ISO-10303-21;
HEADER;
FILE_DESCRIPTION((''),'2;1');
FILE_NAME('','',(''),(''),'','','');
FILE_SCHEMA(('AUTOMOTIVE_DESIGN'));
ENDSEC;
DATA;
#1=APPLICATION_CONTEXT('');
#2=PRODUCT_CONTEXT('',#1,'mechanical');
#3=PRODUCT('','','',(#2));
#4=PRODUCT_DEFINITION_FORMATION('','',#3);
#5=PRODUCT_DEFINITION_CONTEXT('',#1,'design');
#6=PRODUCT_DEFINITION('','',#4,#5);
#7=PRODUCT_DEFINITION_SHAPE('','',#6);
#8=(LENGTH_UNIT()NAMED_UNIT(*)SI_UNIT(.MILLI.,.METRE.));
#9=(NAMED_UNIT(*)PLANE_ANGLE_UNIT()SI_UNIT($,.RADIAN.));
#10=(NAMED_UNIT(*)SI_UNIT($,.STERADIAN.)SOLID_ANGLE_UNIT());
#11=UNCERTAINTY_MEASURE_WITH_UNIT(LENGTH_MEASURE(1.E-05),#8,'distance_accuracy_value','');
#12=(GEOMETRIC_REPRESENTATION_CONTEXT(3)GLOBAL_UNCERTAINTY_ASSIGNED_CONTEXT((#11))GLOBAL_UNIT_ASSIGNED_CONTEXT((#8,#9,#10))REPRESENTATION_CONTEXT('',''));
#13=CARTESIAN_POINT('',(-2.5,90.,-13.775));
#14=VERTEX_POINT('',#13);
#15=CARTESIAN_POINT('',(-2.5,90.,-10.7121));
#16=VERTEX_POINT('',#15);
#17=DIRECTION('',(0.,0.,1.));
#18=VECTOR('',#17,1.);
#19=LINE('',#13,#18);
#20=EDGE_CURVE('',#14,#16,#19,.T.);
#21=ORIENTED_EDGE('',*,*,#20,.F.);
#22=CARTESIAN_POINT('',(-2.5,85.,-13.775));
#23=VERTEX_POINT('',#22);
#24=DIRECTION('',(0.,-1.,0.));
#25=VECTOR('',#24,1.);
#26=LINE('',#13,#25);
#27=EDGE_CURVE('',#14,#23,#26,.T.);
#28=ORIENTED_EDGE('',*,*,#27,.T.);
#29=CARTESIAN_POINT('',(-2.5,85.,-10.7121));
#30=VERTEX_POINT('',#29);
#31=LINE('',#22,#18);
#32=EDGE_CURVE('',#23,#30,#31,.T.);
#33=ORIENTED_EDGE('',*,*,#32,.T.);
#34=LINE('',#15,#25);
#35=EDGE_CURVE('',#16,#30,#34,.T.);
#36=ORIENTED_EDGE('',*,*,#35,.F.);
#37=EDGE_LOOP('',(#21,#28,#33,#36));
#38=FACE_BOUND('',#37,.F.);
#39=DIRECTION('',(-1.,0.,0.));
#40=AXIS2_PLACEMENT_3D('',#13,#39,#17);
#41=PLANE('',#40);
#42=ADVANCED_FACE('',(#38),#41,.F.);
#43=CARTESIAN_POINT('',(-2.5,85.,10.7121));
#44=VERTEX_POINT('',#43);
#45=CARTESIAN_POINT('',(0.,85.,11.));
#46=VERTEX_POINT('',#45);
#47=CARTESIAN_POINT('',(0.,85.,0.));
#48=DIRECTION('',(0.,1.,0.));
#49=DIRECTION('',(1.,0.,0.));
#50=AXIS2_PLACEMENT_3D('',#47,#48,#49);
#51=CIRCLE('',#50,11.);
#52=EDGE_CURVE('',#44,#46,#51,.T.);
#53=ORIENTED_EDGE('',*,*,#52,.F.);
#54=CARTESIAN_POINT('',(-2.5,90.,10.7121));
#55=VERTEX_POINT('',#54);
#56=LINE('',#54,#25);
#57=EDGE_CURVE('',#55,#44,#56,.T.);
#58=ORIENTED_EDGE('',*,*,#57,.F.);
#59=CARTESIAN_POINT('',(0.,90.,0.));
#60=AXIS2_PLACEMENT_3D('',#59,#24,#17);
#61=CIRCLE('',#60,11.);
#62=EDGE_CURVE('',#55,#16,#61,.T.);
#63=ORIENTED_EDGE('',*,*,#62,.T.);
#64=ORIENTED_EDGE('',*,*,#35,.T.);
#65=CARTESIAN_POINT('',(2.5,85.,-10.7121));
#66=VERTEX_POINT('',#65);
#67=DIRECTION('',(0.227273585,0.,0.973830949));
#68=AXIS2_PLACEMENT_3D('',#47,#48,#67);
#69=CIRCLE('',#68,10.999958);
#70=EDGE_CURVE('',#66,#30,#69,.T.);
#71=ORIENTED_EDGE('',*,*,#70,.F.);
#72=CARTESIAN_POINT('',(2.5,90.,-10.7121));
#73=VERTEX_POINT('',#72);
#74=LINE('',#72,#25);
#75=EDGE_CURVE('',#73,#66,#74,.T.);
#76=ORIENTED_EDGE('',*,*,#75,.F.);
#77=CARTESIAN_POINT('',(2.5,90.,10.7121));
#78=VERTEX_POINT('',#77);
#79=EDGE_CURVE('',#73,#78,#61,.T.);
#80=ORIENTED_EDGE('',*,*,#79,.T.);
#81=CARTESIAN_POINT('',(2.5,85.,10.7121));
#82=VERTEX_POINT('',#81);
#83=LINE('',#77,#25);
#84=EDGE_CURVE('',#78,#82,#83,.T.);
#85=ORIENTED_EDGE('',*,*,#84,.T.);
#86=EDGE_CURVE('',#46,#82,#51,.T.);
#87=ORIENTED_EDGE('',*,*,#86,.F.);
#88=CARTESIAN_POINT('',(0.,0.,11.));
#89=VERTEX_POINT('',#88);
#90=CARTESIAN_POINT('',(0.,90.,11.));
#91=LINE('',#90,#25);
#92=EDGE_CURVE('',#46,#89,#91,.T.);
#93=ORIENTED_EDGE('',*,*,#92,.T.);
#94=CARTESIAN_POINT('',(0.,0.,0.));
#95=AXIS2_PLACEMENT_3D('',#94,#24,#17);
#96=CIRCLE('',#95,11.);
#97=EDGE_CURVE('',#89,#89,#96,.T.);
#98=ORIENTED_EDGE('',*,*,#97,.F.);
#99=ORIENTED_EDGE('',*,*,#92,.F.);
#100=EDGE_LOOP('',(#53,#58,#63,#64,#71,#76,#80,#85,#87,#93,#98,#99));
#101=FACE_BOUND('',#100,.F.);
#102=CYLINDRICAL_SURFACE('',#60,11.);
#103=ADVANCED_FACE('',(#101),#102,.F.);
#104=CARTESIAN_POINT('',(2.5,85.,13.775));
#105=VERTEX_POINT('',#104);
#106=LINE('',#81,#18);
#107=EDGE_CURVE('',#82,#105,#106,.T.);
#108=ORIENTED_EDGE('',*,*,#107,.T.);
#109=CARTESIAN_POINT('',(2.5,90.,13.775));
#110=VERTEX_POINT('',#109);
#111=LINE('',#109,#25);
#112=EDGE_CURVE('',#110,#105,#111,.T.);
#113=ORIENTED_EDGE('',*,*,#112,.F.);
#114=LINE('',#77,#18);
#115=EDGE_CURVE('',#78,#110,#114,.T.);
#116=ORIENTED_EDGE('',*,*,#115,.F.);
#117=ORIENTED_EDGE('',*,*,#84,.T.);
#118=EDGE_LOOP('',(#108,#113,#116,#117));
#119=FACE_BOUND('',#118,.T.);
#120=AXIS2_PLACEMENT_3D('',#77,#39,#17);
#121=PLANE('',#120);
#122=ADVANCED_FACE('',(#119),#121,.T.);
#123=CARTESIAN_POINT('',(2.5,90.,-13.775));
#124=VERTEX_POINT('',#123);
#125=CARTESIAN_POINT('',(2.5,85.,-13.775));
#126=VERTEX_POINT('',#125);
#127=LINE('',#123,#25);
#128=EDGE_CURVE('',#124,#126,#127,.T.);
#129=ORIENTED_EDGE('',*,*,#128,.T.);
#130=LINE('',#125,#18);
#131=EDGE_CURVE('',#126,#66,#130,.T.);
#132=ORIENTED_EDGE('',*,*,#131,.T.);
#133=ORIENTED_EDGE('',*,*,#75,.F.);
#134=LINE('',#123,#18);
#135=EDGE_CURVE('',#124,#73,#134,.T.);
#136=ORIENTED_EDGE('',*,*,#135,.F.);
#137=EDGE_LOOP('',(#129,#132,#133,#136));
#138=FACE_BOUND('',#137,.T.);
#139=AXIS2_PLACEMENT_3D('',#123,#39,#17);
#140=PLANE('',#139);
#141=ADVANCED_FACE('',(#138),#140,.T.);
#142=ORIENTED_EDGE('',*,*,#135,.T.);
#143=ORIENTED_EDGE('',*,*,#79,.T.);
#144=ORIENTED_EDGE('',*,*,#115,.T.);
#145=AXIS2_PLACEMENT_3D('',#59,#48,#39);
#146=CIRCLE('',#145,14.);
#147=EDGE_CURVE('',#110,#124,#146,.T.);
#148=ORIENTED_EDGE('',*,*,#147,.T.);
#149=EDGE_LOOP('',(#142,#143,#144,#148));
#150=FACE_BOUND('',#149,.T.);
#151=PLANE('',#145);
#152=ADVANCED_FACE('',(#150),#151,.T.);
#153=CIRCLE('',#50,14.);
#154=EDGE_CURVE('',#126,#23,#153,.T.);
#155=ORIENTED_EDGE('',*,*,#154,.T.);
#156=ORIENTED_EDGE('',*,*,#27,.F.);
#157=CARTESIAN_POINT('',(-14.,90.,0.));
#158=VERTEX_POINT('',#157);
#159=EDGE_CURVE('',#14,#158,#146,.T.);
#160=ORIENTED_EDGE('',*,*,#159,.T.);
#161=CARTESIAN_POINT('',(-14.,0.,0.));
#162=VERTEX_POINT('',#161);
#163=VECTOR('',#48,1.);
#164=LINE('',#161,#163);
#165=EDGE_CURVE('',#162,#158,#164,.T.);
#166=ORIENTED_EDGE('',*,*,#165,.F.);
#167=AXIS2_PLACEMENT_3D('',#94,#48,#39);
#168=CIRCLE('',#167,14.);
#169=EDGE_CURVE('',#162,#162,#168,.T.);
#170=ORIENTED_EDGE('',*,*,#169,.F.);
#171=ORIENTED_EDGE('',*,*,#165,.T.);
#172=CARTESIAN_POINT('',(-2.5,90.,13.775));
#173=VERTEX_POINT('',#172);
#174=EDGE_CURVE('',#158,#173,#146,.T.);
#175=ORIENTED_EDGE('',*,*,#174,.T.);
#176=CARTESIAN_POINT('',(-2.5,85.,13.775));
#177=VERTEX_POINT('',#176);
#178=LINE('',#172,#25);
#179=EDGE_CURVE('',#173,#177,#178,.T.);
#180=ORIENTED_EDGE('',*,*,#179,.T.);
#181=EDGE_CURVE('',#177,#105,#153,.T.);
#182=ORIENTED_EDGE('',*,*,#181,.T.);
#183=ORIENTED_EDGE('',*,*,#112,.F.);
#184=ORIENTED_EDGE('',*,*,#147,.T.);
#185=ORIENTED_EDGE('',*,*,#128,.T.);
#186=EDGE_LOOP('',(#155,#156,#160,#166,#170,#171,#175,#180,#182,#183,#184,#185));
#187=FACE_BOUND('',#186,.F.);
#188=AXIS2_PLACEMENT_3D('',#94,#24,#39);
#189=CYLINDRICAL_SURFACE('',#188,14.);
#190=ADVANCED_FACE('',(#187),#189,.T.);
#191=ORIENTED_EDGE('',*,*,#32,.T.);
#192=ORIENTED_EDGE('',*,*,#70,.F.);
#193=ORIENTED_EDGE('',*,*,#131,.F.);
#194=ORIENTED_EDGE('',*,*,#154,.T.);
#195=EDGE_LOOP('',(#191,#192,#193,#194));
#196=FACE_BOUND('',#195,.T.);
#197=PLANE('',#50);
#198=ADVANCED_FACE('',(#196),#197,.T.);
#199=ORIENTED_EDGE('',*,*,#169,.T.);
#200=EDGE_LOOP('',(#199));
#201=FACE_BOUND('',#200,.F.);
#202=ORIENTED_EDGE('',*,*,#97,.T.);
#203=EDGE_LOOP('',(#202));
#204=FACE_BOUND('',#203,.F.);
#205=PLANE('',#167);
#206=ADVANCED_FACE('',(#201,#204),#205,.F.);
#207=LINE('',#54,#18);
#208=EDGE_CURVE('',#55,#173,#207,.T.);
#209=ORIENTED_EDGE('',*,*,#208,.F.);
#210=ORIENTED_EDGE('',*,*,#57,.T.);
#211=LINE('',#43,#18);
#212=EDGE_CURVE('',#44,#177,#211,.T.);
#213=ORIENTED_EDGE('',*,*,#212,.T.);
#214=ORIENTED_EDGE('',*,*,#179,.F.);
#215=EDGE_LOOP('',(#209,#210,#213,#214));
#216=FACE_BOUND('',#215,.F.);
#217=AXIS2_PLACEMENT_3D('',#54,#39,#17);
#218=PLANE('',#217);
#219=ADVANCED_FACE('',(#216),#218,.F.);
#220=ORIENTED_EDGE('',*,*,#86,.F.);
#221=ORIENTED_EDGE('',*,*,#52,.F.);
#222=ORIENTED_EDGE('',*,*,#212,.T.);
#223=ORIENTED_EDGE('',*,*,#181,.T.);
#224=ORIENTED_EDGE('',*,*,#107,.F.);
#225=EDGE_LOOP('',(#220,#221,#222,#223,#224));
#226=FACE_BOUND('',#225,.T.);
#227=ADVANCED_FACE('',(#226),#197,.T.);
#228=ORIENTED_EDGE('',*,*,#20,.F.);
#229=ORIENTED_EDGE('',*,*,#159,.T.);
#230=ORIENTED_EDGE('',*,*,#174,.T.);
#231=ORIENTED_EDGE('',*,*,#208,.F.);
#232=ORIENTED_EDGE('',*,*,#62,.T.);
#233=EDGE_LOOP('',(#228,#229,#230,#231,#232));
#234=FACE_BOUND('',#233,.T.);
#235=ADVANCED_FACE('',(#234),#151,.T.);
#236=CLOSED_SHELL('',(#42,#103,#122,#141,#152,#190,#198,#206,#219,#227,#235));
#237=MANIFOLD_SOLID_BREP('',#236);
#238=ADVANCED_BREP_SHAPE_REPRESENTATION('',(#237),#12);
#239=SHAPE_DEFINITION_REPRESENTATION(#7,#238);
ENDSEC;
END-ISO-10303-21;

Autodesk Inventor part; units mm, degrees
ref_plane "YZ Plane" through (0, 0, 0) normal (1, 0, 0) x (0, 1, 0)
ref_plane "XZ Plane" through (0, 0, 0) normal (0, 1, 0) x (-1, 0, 0)
ref_plane "XY Plane" through (0, 0, 0) normal (0, 0, 1) x (1, 0, 0)
sketch "Sketch1" plane through (0, 0, 0) normal (0, 1, 0) x (-1, 0, 0)
  point P0 (0, 0)
sketch "Sketch2" plane through (0, 0, 0) normal (0, 1, 0) x (-1, 0, 0)
  circle A0 centre (0, 0) radius 11
  circle A1 centre (0, 0) radius 14
  dimension "d0" = 22
  dimension "d1" = 28
extrude "Extrusion1" add sketch "Sketch2" along normal blind 90 contours A0 | A1
hole "Hole1" at (0, 90, 0) direction (0, -1, 0) diameter 22 depth 90 tip angle 118
sketch "Sketch3" plane through (0, 90, 0) normal (0, 1, 0) x (1, 0, 0)
  circle A0 centre (0, 0) radius 11 projected
  circle A1 centre (0, 0) radius 14 projected
  line L0 (2.5, 13.775) -> (2.5, 10.7121)
  line L1 (-2.5, 13.775) -> (-2.5, 10.7121)
  line L2 (-2.5, -10.7121) -> (-2.5, -13.775)
  line L3 (2.5, -10.7121) -> (2.5, -13.775)
extrude "Extrusion2" cut sketch "Sketch3" against normal blind 5 contours L3 A1 L2 A0
sketch "Sketch4" plane through (0, 90, 0) normal (0, 1, 0) x (1, 0, 0)
  arc A0 (2.5, -10.7121) -> (-2.5, -10.7121) centre (0, 0) ccw projected
  circle A1 centre (0, 0) radius 14 projected
  line L0 (-2.5, 13.775) -> (-2.5, 10.7121)
  circle A2 centre (0, 0) radius 11 projected
  line L1 (2.5, 13.775) -> (2.5, 10.7121)
sketch "Sketch5" plane through (0, 90, 0) normal (0, 1, 0) x (1, 0, 0)
  point P0 (0, 0)
sketch "Sketch6" plane through (0, 90, 0) normal (0, 1, 0) x (1, 0, 0)
  point P0 (0, 0)
extrude "Extrusion3" cut sketch "Sketch4" against normal blind 5 contours A0 L0 A1 L1
sketch "Sketch7" plane through (0, 90, 0) normal (0, 1, 0) x (1, 0, 0)
  point P0 (0, 0)
  point P1 (-2.4887, 10.7148)
  point P2 (2.5, 10.7121)
sketch "Sketch8" plane through (0, 0, 0) normal (0, 1, 0) x (-1, 0, 0)
  arc A0 (2.5, -10.7121) -> (-2.5, -10.7121) centre (0, 0) ccw
sketch "Sketch9" plane through (0, 85, 0) normal (0, 1, 0) x (1, 0, 0)
  arc A0 (-2.5, 13.775) -> (-2.5, -13.775) centre (0, 0) ccw projected
  line L0 (-14, 0) -> (14.5387, 0)
properties part number "pusher"
